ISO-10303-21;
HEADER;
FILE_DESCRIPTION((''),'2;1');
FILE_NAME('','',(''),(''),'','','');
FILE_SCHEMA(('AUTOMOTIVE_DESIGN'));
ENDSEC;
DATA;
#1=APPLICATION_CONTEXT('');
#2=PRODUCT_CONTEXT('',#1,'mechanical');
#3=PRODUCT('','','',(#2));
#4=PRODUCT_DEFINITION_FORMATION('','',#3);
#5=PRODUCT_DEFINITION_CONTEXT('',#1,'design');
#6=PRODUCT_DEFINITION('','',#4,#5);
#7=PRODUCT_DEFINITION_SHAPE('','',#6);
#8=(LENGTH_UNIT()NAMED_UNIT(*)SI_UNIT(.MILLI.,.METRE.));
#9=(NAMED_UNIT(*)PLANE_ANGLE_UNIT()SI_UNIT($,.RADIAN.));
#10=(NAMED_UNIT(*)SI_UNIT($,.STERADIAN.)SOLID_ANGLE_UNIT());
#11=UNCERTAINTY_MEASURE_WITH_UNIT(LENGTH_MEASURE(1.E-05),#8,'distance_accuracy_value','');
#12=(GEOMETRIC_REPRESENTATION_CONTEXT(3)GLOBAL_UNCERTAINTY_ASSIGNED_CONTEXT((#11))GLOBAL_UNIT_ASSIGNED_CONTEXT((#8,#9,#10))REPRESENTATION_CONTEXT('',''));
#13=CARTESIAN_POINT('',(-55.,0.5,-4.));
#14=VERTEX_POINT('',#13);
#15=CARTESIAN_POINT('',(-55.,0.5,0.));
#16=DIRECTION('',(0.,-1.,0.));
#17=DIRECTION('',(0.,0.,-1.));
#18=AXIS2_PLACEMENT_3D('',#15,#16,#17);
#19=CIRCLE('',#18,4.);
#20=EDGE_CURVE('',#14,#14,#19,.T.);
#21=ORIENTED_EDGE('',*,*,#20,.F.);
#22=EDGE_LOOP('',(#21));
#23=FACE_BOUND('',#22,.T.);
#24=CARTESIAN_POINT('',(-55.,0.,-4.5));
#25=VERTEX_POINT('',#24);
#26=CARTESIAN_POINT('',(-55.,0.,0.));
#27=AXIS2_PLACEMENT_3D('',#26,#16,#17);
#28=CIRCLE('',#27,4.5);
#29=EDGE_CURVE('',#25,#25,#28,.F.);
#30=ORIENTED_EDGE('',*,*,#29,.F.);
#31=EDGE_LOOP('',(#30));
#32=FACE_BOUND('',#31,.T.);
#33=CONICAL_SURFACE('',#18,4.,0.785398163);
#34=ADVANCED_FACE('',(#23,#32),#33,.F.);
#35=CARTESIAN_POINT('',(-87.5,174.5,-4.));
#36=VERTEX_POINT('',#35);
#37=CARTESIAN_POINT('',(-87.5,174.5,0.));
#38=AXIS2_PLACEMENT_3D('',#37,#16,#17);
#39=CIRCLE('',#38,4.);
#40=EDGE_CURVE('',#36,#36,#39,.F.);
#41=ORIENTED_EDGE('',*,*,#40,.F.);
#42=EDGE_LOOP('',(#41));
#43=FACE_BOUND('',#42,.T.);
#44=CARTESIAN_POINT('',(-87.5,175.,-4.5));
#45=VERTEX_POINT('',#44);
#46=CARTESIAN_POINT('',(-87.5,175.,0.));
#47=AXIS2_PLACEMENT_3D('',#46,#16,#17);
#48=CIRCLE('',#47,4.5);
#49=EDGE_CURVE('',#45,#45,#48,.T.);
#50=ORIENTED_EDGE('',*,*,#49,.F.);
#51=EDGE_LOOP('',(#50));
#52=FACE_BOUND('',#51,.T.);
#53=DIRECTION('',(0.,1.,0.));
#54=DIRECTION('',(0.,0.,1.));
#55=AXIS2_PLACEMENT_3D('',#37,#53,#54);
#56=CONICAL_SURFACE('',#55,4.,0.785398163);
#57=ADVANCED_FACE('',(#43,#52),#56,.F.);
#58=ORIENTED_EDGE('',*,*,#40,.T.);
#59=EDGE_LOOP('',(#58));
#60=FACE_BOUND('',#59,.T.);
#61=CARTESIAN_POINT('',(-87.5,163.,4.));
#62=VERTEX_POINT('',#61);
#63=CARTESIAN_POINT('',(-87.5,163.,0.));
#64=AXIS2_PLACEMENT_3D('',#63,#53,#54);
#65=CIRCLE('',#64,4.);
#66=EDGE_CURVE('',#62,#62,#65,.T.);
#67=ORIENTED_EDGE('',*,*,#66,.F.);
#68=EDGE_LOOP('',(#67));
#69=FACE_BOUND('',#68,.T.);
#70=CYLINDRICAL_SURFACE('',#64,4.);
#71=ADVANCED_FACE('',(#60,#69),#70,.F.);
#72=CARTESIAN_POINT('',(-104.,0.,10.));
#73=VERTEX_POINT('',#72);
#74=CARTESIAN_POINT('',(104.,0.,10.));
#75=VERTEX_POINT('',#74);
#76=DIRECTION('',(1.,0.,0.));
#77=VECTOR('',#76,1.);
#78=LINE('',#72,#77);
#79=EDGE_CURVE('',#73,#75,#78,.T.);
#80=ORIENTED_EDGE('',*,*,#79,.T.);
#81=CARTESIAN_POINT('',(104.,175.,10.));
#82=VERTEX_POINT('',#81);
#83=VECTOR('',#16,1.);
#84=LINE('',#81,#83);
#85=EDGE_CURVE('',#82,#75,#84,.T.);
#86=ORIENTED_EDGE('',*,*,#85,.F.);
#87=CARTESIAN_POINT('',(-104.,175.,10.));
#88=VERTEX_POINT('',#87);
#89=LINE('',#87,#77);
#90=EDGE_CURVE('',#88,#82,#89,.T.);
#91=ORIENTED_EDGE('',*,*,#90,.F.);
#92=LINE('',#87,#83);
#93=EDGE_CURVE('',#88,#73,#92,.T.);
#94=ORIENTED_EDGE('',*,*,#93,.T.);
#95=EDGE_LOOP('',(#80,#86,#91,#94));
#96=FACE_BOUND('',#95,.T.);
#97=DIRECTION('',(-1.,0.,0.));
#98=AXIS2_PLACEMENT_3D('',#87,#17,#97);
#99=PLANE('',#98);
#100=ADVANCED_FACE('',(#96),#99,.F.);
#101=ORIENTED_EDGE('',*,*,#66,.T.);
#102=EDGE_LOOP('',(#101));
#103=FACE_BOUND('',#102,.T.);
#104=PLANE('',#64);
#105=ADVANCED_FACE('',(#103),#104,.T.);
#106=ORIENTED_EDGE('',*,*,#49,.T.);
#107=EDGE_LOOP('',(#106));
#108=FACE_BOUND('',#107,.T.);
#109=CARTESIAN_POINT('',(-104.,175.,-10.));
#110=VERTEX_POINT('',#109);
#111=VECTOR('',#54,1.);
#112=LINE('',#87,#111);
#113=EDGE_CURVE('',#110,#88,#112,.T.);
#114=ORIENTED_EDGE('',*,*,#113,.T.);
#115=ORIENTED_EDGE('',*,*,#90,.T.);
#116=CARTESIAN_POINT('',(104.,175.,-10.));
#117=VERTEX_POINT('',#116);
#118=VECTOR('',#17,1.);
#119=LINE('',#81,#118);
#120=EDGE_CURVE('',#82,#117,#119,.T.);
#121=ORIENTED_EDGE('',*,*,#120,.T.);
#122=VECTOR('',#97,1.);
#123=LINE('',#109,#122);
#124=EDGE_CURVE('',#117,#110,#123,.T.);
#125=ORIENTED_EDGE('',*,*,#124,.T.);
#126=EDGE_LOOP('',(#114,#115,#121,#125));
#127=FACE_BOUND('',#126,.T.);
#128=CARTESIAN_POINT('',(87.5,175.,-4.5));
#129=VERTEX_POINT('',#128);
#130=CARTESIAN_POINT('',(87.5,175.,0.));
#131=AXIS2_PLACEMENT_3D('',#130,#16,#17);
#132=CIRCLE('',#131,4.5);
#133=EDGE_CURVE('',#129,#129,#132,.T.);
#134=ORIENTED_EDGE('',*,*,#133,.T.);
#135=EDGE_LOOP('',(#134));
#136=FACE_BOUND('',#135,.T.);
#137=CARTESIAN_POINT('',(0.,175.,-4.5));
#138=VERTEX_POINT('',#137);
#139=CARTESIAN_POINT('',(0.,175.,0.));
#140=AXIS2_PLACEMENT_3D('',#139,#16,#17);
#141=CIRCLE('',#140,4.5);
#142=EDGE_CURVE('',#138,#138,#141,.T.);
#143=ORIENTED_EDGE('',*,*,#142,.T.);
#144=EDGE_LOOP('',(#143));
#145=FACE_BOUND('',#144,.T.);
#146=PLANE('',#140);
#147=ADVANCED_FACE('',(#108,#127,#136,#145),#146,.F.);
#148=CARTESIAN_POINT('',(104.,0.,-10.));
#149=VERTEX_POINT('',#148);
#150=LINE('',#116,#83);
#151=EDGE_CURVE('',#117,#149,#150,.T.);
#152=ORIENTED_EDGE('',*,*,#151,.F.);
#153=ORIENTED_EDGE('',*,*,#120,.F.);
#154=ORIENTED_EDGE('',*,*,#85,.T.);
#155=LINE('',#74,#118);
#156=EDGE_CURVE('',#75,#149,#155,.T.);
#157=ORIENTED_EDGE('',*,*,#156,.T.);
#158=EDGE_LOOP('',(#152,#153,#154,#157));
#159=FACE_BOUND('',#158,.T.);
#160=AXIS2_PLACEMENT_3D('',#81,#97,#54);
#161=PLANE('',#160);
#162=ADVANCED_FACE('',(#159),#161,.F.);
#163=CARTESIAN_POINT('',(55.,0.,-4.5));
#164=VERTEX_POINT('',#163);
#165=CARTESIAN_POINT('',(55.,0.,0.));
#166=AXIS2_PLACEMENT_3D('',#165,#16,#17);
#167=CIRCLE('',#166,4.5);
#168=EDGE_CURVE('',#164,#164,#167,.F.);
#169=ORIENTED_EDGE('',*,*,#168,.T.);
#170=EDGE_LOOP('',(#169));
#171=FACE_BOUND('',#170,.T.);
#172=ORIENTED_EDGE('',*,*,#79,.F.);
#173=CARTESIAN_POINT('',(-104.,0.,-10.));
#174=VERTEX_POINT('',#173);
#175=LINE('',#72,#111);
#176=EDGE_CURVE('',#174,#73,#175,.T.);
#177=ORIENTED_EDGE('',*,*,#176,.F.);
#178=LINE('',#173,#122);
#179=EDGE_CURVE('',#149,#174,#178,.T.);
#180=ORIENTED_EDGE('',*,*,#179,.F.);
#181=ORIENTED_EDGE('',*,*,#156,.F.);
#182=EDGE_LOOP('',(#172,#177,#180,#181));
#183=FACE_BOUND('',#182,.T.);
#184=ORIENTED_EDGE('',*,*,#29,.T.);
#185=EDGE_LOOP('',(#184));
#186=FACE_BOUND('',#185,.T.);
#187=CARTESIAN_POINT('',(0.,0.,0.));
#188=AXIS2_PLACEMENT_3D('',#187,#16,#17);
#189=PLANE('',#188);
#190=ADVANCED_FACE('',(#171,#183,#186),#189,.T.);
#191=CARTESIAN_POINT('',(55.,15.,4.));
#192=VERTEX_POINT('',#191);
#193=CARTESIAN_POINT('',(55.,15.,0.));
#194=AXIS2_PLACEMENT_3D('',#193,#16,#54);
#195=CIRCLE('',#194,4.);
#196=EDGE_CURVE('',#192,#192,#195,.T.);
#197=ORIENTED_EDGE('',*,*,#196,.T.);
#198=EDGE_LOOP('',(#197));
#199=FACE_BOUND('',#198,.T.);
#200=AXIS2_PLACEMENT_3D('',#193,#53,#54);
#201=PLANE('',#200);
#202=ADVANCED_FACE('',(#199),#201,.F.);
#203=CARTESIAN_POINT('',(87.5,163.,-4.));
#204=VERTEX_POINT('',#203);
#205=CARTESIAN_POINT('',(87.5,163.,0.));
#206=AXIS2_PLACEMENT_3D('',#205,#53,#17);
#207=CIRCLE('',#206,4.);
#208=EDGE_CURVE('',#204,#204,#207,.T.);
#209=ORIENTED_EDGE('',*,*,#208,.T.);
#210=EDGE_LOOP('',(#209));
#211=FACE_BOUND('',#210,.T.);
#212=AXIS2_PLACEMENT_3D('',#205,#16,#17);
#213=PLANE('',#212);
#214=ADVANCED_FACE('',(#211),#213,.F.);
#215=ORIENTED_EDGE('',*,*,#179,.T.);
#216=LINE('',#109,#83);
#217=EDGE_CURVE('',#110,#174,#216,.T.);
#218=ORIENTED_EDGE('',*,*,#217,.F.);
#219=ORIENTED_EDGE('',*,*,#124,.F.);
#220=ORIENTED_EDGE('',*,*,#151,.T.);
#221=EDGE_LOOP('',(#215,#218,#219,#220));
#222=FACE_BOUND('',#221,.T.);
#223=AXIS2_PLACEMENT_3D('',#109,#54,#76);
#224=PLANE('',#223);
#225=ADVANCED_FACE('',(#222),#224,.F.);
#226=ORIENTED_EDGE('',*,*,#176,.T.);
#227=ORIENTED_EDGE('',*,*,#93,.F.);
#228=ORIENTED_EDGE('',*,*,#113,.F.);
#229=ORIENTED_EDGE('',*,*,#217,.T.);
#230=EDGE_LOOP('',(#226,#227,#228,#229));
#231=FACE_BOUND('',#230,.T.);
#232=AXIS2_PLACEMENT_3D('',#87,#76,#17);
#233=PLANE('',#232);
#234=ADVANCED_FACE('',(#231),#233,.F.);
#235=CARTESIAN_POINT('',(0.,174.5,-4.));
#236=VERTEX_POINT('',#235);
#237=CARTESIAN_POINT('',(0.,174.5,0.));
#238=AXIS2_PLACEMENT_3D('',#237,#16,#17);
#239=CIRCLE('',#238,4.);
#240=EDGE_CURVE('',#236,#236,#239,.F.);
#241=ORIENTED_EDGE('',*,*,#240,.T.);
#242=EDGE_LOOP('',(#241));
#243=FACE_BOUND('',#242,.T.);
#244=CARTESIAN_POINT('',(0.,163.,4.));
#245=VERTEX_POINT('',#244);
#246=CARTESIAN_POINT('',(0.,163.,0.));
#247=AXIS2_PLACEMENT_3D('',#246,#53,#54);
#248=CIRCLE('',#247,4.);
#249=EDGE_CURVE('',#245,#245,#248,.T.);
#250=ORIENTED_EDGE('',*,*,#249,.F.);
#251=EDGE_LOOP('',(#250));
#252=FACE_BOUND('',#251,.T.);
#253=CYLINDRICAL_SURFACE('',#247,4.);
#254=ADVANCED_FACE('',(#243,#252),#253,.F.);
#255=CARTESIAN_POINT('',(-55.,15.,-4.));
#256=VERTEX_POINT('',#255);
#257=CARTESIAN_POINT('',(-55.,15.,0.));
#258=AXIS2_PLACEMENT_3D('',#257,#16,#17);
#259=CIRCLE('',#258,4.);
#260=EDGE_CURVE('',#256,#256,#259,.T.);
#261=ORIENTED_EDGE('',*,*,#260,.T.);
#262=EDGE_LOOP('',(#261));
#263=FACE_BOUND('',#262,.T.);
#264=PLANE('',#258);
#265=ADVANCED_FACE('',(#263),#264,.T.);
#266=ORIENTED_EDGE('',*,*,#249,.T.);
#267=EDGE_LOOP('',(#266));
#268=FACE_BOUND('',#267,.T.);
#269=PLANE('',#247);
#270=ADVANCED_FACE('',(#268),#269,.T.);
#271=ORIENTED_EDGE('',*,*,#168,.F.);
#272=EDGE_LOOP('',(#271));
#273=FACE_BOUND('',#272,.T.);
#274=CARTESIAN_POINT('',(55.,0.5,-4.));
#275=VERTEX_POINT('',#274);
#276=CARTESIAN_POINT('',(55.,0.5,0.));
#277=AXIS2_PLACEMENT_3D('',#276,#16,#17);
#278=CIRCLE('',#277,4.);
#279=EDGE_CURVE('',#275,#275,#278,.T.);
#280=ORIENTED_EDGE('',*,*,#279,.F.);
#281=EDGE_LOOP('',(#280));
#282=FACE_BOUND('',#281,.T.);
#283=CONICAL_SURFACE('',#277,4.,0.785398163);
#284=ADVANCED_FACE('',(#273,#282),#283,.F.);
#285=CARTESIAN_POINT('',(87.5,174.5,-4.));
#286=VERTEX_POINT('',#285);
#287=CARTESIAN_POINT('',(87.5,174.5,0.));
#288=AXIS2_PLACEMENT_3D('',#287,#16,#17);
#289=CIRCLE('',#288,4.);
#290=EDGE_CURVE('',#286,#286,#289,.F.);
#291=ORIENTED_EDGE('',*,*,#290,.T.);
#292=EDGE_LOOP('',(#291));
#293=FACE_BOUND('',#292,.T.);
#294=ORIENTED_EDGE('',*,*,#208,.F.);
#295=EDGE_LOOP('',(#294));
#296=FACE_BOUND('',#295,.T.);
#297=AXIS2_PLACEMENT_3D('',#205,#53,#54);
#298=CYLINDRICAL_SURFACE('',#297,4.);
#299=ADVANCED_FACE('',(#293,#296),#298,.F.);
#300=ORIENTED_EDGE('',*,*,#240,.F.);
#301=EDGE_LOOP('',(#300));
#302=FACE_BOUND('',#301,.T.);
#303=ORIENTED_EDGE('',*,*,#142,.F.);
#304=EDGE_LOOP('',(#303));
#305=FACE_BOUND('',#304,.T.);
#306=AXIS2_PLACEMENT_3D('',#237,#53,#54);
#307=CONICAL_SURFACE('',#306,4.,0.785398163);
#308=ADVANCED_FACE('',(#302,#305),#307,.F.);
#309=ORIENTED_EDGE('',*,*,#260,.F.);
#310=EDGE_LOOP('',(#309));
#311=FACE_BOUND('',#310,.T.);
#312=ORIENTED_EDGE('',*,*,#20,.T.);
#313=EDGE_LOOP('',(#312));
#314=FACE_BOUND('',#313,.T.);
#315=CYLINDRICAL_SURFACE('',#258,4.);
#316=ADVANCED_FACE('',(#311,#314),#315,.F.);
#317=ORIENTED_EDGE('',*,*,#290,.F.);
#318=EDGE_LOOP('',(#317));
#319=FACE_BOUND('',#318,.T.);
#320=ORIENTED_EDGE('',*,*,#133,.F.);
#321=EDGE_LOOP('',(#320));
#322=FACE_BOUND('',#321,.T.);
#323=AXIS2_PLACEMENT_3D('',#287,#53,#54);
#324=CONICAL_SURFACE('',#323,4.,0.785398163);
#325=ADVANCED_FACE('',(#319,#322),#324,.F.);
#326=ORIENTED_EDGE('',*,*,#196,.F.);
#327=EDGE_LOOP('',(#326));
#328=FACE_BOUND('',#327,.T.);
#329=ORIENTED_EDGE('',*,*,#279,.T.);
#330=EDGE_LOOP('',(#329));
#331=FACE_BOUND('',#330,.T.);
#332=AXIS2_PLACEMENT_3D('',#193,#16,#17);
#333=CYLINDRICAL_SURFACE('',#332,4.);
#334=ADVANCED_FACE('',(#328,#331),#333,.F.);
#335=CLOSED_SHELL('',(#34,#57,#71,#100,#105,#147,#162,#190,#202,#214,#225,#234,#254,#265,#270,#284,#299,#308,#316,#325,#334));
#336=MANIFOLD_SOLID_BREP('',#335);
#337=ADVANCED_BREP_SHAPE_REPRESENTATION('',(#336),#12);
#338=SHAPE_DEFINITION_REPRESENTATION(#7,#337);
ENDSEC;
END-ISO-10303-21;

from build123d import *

# Parameters (mm, degrees)
SKETCH1_W           = 208
SKETCH1_H           = 20
BOSS_EXTRUDE1_DEPTH = 175
SKETCH2_R           = 4
CUT_EXTRUDE1_DEPTH  = 12
SKETCH3_R           = 4
CUT_EXTRUDE2_DEPTH  = 15
CHAMFER1_SIZE       = 0.5


with BuildPart() as part:
    # Sketch1 → Boss-Extrude1 (new body)
    with BuildSketch(Plane(origin=(0, 0, -58), x_dir=(1, 0, 0), z_dir=(0, 1, 0))):
        with Locations((0, -58)):
            Rectangle(SKETCH1_W, SKETCH1_H)
    extrude(amount=BOSS_EXTRUDE1_DEPTH)

    # Sketch2 → Cut-Extrude1 (cut)
    with BuildSketch(Plane(origin=(0, 175, 0), x_dir=(1, 0, 0), z_dir=(0, 1, 0))):
        with Locations(Location((0, 0, 0), (0, 0, 270))):
            Circle(SKETCH2_R)
        with Locations(Location((-87.5, 0, 0), (0, 0, 270))):
            Circle(SKETCH2_R)
        with Locations(Location((87.5, 0, 0), (0, 0, 90))):
            Circle(SKETCH2_R)
    extrude(amount=-CUT_EXTRUDE1_DEPTH, mode=Mode.SUBTRACT)

    # Sketch3 → Cut-Extrude2 (cut)
    with BuildSketch(Plane.XZ):
        with Locations(Location((-55, 0, 0), (0, 0, 270))):
            Circle(SKETCH3_R)
        with Locations(Location((55, 0, 0), (0, 0, 90))):
            Circle(SKETCH3_R)
    extrude(amount=-CUT_EXTRUDE2_DEPTH, mode=Mode.SUBTRACT)

    # Chamfer1
    chamfer1_edges = [part.edges().sort_by_distance(p)[0] for p in [
        (87.5, 175, 4),
        (-87.5, 175, -4),
        (0, 175, -4),
        (-55, 0, 4),
        (55, 0, -4),
    ]]
    chamfer(chamfer1_edges, length=CHAMFER1_SIZE)


solid = part.part
